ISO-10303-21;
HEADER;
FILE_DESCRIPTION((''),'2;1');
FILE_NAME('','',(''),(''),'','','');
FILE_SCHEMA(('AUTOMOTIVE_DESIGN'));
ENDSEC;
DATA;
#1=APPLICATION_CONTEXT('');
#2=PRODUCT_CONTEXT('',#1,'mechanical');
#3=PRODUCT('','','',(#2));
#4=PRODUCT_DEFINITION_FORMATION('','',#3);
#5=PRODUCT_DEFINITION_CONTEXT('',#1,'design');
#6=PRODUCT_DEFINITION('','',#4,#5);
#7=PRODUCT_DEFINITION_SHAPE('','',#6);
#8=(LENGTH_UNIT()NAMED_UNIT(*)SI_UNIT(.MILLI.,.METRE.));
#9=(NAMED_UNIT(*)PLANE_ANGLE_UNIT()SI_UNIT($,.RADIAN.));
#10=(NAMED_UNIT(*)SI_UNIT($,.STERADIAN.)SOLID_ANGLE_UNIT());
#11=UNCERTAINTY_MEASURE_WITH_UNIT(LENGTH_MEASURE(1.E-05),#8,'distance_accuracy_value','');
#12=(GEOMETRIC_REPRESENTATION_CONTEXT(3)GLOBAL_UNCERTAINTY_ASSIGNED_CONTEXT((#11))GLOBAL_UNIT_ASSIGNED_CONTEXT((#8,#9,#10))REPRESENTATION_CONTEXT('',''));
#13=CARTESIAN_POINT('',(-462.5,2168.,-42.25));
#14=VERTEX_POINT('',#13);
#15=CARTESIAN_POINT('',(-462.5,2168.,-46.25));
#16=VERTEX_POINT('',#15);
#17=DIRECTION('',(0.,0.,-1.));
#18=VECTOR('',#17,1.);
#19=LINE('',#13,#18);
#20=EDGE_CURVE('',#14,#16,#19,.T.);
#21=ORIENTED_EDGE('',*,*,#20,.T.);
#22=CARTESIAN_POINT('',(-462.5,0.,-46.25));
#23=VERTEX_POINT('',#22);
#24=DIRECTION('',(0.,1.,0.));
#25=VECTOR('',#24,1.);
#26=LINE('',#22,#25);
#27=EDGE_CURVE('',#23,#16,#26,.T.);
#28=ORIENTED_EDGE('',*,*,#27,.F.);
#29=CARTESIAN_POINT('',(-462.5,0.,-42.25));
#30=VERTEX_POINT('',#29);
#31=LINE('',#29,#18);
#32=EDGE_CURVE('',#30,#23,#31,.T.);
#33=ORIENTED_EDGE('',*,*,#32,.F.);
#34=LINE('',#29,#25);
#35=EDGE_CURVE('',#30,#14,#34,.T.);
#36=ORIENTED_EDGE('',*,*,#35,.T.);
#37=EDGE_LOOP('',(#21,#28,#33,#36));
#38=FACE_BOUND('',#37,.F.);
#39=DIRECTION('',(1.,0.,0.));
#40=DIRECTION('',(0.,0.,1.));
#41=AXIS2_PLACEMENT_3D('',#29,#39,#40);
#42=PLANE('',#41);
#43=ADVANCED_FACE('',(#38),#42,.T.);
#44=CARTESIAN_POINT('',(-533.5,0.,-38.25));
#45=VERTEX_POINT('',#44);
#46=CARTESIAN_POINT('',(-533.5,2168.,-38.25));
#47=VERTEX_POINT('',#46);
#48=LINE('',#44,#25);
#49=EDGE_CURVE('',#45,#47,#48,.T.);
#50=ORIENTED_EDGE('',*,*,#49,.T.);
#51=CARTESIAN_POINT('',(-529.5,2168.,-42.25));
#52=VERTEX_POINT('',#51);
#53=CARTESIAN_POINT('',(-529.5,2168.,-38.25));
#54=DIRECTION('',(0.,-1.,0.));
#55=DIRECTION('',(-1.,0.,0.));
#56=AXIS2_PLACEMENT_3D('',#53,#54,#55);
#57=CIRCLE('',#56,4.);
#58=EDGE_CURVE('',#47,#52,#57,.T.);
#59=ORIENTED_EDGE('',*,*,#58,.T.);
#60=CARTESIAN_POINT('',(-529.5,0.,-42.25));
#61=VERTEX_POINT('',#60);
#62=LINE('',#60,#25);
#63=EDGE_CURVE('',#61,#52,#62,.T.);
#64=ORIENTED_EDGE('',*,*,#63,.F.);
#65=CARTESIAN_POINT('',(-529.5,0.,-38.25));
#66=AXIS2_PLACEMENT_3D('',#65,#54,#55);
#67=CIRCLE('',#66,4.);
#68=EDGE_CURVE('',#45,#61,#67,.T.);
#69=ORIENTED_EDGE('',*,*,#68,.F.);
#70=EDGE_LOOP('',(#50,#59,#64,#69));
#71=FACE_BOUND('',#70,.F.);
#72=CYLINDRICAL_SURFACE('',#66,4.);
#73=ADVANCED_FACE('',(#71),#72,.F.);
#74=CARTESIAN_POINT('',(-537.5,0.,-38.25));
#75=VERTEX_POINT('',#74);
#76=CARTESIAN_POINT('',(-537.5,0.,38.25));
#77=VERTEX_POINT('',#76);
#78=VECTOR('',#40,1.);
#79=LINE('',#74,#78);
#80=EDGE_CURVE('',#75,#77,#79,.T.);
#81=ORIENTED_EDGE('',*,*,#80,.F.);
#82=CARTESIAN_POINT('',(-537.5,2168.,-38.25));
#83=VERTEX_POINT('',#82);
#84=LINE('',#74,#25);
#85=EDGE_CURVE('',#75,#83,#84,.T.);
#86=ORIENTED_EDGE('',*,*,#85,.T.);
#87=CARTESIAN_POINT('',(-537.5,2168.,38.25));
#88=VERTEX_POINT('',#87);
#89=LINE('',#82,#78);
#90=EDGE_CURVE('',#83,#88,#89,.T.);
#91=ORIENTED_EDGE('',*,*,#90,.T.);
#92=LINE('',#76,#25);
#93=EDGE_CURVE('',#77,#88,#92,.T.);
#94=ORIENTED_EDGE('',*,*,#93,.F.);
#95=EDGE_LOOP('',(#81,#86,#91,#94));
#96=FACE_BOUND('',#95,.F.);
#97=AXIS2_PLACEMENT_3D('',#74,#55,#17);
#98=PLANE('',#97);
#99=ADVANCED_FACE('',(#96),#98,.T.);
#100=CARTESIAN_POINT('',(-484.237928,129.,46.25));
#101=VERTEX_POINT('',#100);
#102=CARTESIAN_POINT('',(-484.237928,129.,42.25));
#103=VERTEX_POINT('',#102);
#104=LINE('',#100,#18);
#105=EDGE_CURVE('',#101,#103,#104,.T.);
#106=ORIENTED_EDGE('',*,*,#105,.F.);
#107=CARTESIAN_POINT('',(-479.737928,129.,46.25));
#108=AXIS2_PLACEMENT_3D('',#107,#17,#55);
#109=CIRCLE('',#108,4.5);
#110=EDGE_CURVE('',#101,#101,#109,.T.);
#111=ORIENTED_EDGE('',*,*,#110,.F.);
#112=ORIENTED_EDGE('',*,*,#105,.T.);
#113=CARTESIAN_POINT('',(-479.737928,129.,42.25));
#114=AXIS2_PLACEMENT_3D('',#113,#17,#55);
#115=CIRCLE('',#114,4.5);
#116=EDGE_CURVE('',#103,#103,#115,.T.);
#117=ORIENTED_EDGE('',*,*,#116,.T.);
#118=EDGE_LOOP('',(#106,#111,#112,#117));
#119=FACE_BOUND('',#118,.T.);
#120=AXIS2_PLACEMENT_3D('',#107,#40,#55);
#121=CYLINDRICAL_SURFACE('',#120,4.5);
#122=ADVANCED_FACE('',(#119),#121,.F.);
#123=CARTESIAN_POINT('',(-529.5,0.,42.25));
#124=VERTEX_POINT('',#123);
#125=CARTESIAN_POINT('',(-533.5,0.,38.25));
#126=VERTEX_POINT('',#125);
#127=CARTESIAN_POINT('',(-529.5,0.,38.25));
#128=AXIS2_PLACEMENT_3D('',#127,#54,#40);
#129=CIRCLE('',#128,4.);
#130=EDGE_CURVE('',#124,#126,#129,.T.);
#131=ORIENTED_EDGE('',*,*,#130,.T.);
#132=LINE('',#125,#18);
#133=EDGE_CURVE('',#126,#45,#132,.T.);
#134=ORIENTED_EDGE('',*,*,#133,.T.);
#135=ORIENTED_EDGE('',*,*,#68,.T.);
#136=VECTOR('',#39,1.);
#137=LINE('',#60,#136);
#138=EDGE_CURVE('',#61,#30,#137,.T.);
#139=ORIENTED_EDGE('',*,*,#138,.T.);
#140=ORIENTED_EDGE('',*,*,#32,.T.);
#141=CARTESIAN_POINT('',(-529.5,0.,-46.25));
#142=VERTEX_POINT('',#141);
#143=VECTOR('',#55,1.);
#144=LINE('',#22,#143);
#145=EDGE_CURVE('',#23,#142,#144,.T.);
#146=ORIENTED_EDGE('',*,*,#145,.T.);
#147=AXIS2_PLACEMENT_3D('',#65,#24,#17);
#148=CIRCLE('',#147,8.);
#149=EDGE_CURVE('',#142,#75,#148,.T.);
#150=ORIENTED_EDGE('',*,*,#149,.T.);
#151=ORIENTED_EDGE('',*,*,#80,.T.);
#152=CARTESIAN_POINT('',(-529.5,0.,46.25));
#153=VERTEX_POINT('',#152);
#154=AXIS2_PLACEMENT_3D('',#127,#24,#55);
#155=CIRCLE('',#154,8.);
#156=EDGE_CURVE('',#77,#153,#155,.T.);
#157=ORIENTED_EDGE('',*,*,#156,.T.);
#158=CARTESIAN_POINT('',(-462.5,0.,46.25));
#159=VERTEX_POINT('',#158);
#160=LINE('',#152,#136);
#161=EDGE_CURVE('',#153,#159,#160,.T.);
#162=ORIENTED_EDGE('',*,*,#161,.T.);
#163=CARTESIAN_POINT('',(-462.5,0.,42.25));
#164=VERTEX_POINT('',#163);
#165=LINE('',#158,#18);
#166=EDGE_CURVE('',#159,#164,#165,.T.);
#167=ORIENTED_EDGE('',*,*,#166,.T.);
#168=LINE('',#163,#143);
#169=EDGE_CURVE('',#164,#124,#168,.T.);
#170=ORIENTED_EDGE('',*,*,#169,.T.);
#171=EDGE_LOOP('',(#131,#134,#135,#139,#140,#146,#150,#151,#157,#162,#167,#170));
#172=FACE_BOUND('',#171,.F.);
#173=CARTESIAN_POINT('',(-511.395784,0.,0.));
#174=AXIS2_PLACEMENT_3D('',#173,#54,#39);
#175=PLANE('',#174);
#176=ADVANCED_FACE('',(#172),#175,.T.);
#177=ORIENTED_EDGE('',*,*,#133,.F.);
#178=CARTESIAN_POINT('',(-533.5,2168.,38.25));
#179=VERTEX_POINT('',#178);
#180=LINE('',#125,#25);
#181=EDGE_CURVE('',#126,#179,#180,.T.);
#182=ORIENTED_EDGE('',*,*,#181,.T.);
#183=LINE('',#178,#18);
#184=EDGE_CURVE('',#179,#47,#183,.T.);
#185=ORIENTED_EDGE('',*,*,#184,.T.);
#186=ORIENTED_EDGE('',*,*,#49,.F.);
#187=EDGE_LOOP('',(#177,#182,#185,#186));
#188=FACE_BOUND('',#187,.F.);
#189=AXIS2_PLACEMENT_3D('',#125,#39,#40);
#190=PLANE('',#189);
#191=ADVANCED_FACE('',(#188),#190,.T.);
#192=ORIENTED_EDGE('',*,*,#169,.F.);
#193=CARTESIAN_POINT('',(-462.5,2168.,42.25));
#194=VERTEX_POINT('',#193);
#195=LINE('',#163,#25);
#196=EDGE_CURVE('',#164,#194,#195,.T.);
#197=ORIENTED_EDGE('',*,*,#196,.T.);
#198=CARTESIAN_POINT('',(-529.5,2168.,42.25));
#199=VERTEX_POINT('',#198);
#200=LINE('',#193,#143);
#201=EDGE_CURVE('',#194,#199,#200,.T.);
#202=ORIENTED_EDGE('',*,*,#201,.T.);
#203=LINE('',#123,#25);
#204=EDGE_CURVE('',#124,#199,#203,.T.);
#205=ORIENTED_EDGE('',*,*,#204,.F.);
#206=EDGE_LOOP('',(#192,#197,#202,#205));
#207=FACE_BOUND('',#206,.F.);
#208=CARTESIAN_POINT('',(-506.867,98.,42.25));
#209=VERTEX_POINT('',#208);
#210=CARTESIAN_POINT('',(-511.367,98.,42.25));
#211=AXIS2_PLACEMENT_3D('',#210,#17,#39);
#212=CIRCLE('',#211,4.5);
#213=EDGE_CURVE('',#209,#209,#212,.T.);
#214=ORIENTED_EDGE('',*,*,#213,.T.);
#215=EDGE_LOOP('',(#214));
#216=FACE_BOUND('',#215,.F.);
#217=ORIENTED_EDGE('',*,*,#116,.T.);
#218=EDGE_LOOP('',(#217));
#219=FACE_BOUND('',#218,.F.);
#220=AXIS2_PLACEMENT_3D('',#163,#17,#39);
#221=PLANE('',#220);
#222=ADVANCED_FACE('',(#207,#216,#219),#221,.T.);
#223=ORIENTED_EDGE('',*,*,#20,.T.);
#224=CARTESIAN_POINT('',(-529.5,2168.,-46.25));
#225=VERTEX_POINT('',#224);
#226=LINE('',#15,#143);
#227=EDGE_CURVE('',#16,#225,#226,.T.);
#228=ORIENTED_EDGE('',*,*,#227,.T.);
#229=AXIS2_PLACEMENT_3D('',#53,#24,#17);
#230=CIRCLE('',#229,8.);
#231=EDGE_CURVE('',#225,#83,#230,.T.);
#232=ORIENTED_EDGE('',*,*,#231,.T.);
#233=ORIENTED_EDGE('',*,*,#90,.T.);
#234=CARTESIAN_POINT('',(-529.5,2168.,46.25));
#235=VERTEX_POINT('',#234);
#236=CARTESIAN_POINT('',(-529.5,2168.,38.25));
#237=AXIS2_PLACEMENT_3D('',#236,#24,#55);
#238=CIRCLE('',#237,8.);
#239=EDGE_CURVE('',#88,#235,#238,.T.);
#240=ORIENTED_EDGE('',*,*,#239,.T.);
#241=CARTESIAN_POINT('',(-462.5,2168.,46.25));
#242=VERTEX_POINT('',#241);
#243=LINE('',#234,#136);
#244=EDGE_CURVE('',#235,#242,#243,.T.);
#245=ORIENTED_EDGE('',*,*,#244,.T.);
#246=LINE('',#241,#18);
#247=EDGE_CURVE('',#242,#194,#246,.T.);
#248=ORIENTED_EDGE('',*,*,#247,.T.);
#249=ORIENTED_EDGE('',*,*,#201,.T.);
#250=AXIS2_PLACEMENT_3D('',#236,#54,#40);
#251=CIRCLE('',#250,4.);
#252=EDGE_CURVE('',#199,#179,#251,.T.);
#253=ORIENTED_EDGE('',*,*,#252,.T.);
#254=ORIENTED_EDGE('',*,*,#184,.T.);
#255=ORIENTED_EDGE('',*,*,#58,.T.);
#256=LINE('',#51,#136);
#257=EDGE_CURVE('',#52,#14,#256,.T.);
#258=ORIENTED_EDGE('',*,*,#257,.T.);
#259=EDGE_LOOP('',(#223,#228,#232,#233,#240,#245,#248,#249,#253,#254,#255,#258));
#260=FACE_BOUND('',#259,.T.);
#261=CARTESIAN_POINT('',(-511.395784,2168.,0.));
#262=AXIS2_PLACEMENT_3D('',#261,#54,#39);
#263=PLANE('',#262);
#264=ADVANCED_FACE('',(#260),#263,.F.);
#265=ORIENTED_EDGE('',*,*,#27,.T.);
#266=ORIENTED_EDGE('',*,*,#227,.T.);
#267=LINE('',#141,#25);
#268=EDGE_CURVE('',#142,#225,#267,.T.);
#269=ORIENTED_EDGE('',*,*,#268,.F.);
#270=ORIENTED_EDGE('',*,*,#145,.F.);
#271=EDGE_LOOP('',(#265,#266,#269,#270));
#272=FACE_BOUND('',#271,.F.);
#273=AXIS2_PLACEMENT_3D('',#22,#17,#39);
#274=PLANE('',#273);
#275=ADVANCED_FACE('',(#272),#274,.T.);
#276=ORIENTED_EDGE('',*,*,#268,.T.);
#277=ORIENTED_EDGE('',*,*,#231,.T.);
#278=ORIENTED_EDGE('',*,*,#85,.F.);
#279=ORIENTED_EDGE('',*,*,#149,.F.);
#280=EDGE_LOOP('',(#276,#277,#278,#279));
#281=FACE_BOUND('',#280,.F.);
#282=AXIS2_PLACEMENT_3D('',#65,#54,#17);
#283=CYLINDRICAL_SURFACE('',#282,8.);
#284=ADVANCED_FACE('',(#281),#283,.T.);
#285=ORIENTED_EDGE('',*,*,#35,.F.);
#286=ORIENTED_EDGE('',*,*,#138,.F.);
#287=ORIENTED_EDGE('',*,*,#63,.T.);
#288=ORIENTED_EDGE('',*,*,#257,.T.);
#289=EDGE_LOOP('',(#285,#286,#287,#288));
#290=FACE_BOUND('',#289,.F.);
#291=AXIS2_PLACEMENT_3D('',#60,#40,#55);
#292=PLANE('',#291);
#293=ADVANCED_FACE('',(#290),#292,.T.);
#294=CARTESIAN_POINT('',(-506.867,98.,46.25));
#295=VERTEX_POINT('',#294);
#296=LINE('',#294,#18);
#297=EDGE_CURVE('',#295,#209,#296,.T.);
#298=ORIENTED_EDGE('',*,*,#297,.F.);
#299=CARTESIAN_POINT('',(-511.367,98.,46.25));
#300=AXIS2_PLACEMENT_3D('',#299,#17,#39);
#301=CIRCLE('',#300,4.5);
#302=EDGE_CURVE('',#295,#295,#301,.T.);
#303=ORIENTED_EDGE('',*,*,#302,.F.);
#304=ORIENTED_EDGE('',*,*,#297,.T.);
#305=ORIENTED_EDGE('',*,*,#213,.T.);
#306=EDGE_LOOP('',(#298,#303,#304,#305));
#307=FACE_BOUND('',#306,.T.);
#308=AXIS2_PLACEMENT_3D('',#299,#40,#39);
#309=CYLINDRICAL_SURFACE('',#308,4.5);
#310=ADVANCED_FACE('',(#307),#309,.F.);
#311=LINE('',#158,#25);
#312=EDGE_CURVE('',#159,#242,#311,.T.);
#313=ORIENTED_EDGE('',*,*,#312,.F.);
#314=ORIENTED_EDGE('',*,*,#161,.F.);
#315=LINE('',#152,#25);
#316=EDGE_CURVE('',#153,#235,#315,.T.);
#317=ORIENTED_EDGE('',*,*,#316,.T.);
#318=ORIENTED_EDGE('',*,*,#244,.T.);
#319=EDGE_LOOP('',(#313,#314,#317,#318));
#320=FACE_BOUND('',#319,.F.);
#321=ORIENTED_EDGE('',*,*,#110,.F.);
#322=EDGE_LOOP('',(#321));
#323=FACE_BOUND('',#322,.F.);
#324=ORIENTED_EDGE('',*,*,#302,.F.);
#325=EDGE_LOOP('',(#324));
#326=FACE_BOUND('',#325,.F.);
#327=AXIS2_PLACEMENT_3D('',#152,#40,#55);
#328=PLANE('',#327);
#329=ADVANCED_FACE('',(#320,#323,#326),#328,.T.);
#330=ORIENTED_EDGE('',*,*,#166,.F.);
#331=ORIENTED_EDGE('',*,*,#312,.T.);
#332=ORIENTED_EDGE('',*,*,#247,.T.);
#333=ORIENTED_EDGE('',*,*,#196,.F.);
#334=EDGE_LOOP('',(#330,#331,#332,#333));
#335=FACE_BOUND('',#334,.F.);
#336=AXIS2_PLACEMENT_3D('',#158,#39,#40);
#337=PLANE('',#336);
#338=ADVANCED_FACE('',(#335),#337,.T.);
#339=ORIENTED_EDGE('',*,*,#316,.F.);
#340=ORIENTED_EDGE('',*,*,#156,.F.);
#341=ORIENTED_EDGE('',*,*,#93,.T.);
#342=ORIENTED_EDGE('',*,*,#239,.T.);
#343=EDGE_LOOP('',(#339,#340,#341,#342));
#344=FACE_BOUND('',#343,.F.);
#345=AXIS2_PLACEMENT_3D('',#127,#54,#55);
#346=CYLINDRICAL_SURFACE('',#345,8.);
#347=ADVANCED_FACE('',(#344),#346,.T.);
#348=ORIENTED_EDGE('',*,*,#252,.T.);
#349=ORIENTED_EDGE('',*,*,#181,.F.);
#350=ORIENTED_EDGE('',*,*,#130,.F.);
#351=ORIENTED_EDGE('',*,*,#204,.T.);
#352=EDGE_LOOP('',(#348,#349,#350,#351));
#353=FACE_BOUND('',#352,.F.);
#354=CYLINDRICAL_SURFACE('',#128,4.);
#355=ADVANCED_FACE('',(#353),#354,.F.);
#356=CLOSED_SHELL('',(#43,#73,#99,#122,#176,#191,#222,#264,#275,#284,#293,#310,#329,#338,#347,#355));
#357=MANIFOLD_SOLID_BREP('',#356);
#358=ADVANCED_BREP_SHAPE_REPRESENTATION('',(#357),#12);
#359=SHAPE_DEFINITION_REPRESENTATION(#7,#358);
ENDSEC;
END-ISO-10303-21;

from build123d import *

# Parameters (mm, degrees)
F1_DEPTH = 2168
F4_R     = 4.5
F5_DEPTH = 4


with BuildPart() as f1:
    # F0 (on Front) → F1 (new body)
    with BuildSketch(Plane.XZ):
        with BuildLine():
            Line((-37.5, -42.25), (-37.5, -46.25))
            Line((-37.5, -46.25), (29.5, -46.25))
            ThreePointArc((29.5, -46.25), (35.1568542495, -43.9068542495), (37.5, -38.25))
            Line((37.5, -38.25), (37.5, 38.25))
            ThreePointArc((37.5, 38.25), (35.1568542495, 43.9068542495), (29.5, 46.25))
            Line((29.5, 46.25), (-37.5, 46.25))
            Line((-37.5, 46.25), (-37.5, 42.25))
            Line((-37.5, 42.25), (29.5, 42.25))
            ThreePointArc((29.5, 42.25), (32.3284271247, 41.0784271247), (33.5, 38.25))
            Line((33.5, 38.25), (33.5, -38.25))
            ThreePointArc((33.5, -38.25), (32.3284271247, -41.0784271247), (29.5, -42.25))
            Line((29.5, -42.25), (-37.5, -42.25))
        make_face()
    extrude(amount=-F1_DEPTH)

    # F4 (on offset) → F5 (cut, through all)
    with BuildSketch(Plane.XY.offset(46.25)):
        with BuildLine():
            ThreePointArc((15.867, 98), (11.367, 102.5), (6.867, 98))
            ThreePointArc((6.867, 98), (11.367, 93.5), (15.867, 98))
        make_face()
        with Locations((-20.2620720863, 129)):
            Circle(F4_R)
    extrude(amount=-F5_DEPTH, mode=Mode.SUBTRACT)


with BuildPart() as f7_1:
    # F7: instance of F1
    add(f1.part.mirror(Plane.YZ.offset(-250)))


solid = f7_1.part
